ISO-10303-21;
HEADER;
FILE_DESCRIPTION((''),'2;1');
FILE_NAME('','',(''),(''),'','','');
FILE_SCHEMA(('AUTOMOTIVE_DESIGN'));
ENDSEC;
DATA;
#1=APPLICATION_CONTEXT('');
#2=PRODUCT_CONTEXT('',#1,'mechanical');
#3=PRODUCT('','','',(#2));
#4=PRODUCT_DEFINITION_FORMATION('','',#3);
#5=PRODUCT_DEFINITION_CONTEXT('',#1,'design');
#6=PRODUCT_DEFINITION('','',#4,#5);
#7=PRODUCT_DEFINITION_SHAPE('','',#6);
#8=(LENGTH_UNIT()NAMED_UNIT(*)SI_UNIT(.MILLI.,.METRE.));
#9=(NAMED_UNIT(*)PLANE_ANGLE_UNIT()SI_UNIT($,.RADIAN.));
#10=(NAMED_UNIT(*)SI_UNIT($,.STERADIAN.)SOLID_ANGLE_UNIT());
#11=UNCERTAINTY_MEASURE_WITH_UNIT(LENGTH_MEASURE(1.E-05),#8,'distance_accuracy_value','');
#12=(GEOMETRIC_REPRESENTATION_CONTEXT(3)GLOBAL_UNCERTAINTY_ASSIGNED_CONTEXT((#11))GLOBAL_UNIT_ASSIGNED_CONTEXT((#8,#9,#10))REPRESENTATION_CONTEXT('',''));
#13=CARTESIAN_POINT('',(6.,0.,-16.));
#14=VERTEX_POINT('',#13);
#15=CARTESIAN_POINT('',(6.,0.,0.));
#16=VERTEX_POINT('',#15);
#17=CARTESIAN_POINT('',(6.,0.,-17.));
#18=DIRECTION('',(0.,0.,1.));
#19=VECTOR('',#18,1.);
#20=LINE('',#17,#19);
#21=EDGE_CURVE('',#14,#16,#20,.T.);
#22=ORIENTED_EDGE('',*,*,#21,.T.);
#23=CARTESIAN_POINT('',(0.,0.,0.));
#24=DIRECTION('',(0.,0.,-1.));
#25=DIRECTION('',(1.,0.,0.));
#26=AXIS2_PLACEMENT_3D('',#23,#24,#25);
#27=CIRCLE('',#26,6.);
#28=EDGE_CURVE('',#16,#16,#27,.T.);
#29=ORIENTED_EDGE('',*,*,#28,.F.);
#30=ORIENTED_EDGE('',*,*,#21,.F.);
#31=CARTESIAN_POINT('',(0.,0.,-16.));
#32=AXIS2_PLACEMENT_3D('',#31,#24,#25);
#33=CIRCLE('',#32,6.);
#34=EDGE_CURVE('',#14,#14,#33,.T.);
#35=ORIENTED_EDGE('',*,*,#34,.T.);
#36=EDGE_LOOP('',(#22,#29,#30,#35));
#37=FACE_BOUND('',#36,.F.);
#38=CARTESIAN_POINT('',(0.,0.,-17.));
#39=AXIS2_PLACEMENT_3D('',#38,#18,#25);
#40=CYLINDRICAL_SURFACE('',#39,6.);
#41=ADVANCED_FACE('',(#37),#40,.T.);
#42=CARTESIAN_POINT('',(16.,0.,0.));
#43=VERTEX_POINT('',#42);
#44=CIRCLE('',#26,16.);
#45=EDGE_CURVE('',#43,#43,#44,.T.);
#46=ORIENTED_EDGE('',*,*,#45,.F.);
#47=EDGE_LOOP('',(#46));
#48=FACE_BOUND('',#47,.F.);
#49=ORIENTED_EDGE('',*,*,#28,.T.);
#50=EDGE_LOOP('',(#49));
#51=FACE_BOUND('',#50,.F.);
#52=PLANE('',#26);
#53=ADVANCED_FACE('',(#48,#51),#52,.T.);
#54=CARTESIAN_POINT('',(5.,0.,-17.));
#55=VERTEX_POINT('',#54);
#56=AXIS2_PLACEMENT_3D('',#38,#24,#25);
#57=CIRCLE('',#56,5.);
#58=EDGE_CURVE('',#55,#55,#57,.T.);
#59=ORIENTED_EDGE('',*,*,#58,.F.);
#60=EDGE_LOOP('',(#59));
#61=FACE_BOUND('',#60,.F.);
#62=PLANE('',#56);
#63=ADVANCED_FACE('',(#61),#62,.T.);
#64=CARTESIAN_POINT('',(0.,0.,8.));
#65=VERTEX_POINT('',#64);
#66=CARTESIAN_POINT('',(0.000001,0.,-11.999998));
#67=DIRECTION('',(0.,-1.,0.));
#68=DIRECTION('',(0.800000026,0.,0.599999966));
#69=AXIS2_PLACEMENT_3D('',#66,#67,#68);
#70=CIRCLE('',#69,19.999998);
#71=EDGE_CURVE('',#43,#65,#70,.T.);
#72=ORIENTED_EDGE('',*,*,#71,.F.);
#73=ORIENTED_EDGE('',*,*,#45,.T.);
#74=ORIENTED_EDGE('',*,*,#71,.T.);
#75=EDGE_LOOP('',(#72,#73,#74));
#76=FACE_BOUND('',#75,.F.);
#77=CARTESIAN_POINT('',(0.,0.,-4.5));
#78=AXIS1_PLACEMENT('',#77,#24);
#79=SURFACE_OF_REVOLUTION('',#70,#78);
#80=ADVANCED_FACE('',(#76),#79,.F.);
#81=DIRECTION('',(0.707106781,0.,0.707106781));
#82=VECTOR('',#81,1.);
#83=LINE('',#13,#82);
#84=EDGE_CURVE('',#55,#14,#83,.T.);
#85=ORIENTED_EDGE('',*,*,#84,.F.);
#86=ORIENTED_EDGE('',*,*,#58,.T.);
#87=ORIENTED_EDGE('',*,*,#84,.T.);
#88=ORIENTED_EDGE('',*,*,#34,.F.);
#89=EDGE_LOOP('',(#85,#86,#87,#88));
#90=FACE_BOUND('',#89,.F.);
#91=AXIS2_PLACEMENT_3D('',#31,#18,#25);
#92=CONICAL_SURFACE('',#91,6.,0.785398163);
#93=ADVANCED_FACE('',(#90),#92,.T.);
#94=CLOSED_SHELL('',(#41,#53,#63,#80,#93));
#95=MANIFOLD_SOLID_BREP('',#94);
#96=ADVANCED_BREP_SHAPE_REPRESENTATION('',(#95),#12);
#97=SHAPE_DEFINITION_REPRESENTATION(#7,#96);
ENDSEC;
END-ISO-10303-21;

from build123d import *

# Parameters (mm, degrees)
F2_SIZE = 1


with BuildPart() as f1:
    # F0 (on Front) → F1 (revolve)
    with BuildSketch(Plane.XZ):
        with BuildLine():
            Line((0, 8), (0, -17))
            Line((0, -17), (6, -17))
            Line((6, -17), (6, 0))
            Line((6, 0), (16, 0))
            ThreePointArc((16, 0), (8.944272, 5.888544), (0, 8))
        make_face()
    revolve(axis=Axis((0, 0, -4.5), (0, 0, -1)))

    # F2
    f2_edges = [f1.edges().sort_by_distance(p)[0] for p in [
        (-6, 0, -17),
    ]]
    chamfer(f2_edges, length=F2_SIZE)


solid = f1.part
